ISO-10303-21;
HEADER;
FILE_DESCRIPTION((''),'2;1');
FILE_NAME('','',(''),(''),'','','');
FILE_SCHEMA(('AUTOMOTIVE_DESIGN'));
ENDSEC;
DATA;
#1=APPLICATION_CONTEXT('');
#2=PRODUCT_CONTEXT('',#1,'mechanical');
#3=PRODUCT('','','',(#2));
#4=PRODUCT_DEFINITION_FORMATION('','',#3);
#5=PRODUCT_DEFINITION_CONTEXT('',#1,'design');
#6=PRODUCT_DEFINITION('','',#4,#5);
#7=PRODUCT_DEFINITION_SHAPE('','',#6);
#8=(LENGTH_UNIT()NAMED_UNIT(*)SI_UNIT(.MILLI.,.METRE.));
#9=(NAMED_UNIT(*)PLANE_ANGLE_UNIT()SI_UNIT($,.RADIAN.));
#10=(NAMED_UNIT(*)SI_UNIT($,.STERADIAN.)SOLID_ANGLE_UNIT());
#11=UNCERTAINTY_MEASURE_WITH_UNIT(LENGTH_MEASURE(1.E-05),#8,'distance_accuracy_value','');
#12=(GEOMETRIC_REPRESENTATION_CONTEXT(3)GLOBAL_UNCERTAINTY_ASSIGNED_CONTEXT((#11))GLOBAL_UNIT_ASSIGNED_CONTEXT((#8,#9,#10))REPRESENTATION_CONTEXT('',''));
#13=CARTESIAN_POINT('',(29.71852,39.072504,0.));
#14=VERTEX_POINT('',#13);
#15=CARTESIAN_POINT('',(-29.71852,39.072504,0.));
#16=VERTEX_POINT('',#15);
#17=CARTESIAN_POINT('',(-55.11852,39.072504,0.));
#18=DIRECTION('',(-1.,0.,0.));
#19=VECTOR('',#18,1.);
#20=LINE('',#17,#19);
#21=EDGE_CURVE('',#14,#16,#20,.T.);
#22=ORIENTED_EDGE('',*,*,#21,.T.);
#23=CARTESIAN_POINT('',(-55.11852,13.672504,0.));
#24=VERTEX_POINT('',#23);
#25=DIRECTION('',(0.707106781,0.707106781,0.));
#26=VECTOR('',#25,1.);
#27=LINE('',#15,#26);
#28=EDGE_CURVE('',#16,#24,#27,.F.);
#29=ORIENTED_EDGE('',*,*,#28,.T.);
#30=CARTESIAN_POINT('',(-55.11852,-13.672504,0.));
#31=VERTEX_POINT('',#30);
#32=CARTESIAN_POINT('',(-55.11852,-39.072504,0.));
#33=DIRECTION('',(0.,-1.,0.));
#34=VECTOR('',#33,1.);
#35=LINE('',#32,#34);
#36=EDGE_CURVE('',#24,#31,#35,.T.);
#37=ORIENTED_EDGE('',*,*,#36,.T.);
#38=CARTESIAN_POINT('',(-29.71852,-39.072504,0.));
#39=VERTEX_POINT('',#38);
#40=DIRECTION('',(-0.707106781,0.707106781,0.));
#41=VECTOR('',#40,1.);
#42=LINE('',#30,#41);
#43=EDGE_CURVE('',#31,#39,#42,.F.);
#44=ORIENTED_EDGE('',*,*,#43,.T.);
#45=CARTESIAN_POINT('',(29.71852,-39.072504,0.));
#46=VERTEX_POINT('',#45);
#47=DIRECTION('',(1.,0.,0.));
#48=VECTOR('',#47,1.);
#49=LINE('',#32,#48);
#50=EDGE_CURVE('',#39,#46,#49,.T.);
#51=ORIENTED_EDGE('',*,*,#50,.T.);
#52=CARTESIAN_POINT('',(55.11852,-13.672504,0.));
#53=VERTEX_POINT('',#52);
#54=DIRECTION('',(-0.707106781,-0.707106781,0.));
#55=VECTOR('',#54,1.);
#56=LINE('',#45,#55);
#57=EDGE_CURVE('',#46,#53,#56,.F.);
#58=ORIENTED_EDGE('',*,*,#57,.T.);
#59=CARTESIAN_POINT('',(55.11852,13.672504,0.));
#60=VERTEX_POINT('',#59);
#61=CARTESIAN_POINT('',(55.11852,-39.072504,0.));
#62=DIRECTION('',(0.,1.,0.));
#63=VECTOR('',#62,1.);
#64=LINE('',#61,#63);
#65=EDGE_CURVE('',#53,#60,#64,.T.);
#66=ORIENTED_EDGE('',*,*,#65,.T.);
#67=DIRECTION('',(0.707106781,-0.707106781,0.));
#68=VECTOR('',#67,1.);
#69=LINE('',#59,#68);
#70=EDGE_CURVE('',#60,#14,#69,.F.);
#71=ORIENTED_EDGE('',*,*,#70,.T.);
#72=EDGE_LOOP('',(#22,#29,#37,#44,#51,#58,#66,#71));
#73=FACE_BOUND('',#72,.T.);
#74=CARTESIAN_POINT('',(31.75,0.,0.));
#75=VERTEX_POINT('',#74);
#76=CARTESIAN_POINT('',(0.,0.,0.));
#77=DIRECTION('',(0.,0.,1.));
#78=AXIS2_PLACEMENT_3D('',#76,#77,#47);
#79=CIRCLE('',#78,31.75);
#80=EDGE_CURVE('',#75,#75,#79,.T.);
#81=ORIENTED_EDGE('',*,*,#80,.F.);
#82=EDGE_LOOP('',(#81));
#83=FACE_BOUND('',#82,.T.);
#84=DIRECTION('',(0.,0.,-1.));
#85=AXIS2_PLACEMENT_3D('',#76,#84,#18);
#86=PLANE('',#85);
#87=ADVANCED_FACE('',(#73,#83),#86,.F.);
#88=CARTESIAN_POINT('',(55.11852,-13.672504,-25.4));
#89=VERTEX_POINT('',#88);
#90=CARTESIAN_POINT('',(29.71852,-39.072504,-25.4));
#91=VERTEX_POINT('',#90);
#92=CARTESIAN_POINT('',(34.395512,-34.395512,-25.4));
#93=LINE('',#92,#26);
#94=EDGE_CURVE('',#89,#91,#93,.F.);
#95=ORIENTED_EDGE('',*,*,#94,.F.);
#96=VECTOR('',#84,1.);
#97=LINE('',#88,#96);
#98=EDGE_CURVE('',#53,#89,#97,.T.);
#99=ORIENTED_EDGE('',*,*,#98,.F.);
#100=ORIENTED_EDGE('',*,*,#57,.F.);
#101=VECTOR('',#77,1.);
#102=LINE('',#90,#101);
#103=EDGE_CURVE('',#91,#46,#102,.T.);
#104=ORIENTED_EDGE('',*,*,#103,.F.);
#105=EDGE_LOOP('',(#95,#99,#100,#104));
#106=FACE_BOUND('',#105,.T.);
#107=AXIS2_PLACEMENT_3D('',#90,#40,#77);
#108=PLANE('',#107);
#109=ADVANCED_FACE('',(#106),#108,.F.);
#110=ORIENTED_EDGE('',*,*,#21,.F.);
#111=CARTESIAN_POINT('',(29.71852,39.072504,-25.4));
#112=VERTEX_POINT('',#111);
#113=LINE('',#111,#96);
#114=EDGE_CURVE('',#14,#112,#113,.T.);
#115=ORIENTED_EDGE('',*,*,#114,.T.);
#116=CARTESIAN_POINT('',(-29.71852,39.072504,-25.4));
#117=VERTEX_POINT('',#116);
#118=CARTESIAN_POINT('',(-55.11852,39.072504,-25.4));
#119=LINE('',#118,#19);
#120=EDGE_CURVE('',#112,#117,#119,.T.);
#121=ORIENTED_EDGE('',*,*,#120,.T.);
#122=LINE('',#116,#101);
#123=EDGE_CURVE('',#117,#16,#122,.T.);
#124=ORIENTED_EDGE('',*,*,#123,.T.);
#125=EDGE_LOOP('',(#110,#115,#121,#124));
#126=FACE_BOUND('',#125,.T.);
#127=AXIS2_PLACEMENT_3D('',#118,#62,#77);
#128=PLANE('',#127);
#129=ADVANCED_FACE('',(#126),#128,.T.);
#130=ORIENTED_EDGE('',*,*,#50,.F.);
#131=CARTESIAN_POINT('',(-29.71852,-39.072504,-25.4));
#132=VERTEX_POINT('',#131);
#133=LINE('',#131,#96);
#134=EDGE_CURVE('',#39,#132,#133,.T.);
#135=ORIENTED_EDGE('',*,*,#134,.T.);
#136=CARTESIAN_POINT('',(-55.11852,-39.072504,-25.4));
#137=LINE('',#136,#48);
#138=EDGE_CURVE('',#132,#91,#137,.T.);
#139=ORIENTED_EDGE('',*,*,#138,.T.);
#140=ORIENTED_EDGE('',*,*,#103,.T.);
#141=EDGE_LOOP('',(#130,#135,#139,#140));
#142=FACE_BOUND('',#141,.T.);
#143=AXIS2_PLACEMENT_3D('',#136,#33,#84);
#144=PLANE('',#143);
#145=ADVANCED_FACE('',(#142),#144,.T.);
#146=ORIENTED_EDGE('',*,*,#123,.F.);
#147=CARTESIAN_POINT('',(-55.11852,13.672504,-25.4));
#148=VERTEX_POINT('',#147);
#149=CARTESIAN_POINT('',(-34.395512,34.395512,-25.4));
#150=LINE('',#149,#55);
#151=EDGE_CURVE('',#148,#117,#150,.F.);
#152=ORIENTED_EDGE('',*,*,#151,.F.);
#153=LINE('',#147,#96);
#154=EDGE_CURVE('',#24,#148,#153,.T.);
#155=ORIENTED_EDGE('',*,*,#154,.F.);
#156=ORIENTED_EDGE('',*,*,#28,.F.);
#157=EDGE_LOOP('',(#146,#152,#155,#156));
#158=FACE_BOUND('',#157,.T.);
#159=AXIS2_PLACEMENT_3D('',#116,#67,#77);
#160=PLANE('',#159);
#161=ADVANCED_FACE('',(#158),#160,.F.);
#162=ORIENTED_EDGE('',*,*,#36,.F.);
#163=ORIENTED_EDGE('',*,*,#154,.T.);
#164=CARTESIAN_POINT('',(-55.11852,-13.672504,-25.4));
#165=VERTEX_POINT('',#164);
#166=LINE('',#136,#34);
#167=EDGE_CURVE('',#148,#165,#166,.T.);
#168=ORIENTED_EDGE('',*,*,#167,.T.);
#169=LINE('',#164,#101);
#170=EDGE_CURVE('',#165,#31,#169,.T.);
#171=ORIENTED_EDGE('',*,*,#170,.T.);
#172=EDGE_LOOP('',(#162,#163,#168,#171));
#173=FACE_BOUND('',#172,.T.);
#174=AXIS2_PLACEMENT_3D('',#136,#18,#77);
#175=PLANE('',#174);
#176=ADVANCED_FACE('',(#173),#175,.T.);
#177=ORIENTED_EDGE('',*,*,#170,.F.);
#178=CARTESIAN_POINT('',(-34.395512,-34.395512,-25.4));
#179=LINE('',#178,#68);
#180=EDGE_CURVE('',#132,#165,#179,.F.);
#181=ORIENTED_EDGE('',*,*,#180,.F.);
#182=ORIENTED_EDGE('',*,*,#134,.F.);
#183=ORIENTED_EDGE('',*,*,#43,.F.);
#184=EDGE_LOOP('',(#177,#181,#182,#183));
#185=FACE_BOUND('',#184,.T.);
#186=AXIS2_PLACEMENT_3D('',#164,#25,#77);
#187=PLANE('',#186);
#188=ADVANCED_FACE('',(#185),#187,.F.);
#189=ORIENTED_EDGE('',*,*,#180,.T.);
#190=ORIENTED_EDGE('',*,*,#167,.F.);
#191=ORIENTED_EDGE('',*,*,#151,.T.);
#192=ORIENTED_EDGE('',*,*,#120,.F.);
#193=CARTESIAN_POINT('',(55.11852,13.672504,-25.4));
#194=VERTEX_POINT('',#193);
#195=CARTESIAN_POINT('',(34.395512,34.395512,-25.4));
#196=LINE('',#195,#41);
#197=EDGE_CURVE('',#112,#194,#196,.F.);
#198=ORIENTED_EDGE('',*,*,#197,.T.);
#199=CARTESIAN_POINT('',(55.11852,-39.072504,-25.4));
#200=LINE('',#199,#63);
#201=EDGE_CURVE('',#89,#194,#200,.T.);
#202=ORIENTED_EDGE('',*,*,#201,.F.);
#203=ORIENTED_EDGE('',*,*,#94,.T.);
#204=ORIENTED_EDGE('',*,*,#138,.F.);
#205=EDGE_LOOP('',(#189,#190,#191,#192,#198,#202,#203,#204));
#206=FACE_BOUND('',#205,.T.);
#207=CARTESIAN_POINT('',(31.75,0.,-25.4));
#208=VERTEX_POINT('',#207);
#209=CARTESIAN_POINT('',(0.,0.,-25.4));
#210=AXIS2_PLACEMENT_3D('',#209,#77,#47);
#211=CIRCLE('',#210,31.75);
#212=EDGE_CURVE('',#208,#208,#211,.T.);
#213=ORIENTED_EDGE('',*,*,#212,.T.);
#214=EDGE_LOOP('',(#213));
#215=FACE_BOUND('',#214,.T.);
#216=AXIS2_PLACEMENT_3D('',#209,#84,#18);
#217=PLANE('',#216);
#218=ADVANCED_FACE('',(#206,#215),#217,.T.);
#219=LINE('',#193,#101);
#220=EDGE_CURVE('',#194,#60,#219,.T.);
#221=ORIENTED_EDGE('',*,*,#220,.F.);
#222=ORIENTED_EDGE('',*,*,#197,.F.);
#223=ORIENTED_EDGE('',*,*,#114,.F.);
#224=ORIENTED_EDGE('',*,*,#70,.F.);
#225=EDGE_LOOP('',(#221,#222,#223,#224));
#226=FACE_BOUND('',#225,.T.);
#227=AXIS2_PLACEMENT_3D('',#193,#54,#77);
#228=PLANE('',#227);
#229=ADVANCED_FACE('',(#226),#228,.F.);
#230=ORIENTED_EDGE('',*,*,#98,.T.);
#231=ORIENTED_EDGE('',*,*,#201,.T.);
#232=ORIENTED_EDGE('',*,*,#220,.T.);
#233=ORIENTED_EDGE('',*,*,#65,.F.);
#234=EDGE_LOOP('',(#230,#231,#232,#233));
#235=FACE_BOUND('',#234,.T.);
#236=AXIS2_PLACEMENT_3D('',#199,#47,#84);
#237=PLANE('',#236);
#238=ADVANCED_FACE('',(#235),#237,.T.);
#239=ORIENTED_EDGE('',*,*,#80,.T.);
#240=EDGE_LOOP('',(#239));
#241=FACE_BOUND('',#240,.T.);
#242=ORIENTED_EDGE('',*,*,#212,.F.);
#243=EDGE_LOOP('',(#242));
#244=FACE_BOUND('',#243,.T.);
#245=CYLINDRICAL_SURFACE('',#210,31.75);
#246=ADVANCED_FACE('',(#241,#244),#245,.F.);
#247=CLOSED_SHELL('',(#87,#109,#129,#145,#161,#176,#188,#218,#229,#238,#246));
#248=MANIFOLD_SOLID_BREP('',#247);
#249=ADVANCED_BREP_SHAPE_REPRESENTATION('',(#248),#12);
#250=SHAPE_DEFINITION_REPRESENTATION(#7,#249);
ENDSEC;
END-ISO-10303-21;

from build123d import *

# Parameters (mm, degrees)
SKETCH1_W           = 110.237040332
SKETCH1_H           = 78.14500721
BOSS_EXTRUDE1_DEPTH = 25.4
SKETCH2_R           = 31.75
CUT_EXTRUDE1_DEPTH  = 73.179441694
CHAMFER1_SIZE       = 25.4


with BuildPart() as part:
    # Sketch1 → Boss-Extrude1 (new body)
    with BuildSketch(Plane.XY):
        Rectangle(SKETCH1_W, SKETCH1_H)
    extrude(amount=-BOSS_EXTRUDE1_DEPTH)

    # Sketch2 → Cut-Extrude1 (cut, through all)
    with BuildSketch(Plane.XY):
        Circle(SKETCH2_R)
    extrude(amount=-CUT_EXTRUDE1_DEPTH, mode=Mode.SUBTRACT)

    # Chamfer1
    chamfer1_edges = [part.edges().sort_by_distance(p)[0] for p in [
        (55.118520166, -39.072503605, -12.7),
        (-55.118520166, -39.072503605, -12.7),
        (-55.118520166, 39.072503605, -12.7),
        (55.118520166, 39.072503605, -12.7),
    ]]
    chamfer(chamfer1_edges, length=CHAMFER1_SIZE)


solid = part.part
